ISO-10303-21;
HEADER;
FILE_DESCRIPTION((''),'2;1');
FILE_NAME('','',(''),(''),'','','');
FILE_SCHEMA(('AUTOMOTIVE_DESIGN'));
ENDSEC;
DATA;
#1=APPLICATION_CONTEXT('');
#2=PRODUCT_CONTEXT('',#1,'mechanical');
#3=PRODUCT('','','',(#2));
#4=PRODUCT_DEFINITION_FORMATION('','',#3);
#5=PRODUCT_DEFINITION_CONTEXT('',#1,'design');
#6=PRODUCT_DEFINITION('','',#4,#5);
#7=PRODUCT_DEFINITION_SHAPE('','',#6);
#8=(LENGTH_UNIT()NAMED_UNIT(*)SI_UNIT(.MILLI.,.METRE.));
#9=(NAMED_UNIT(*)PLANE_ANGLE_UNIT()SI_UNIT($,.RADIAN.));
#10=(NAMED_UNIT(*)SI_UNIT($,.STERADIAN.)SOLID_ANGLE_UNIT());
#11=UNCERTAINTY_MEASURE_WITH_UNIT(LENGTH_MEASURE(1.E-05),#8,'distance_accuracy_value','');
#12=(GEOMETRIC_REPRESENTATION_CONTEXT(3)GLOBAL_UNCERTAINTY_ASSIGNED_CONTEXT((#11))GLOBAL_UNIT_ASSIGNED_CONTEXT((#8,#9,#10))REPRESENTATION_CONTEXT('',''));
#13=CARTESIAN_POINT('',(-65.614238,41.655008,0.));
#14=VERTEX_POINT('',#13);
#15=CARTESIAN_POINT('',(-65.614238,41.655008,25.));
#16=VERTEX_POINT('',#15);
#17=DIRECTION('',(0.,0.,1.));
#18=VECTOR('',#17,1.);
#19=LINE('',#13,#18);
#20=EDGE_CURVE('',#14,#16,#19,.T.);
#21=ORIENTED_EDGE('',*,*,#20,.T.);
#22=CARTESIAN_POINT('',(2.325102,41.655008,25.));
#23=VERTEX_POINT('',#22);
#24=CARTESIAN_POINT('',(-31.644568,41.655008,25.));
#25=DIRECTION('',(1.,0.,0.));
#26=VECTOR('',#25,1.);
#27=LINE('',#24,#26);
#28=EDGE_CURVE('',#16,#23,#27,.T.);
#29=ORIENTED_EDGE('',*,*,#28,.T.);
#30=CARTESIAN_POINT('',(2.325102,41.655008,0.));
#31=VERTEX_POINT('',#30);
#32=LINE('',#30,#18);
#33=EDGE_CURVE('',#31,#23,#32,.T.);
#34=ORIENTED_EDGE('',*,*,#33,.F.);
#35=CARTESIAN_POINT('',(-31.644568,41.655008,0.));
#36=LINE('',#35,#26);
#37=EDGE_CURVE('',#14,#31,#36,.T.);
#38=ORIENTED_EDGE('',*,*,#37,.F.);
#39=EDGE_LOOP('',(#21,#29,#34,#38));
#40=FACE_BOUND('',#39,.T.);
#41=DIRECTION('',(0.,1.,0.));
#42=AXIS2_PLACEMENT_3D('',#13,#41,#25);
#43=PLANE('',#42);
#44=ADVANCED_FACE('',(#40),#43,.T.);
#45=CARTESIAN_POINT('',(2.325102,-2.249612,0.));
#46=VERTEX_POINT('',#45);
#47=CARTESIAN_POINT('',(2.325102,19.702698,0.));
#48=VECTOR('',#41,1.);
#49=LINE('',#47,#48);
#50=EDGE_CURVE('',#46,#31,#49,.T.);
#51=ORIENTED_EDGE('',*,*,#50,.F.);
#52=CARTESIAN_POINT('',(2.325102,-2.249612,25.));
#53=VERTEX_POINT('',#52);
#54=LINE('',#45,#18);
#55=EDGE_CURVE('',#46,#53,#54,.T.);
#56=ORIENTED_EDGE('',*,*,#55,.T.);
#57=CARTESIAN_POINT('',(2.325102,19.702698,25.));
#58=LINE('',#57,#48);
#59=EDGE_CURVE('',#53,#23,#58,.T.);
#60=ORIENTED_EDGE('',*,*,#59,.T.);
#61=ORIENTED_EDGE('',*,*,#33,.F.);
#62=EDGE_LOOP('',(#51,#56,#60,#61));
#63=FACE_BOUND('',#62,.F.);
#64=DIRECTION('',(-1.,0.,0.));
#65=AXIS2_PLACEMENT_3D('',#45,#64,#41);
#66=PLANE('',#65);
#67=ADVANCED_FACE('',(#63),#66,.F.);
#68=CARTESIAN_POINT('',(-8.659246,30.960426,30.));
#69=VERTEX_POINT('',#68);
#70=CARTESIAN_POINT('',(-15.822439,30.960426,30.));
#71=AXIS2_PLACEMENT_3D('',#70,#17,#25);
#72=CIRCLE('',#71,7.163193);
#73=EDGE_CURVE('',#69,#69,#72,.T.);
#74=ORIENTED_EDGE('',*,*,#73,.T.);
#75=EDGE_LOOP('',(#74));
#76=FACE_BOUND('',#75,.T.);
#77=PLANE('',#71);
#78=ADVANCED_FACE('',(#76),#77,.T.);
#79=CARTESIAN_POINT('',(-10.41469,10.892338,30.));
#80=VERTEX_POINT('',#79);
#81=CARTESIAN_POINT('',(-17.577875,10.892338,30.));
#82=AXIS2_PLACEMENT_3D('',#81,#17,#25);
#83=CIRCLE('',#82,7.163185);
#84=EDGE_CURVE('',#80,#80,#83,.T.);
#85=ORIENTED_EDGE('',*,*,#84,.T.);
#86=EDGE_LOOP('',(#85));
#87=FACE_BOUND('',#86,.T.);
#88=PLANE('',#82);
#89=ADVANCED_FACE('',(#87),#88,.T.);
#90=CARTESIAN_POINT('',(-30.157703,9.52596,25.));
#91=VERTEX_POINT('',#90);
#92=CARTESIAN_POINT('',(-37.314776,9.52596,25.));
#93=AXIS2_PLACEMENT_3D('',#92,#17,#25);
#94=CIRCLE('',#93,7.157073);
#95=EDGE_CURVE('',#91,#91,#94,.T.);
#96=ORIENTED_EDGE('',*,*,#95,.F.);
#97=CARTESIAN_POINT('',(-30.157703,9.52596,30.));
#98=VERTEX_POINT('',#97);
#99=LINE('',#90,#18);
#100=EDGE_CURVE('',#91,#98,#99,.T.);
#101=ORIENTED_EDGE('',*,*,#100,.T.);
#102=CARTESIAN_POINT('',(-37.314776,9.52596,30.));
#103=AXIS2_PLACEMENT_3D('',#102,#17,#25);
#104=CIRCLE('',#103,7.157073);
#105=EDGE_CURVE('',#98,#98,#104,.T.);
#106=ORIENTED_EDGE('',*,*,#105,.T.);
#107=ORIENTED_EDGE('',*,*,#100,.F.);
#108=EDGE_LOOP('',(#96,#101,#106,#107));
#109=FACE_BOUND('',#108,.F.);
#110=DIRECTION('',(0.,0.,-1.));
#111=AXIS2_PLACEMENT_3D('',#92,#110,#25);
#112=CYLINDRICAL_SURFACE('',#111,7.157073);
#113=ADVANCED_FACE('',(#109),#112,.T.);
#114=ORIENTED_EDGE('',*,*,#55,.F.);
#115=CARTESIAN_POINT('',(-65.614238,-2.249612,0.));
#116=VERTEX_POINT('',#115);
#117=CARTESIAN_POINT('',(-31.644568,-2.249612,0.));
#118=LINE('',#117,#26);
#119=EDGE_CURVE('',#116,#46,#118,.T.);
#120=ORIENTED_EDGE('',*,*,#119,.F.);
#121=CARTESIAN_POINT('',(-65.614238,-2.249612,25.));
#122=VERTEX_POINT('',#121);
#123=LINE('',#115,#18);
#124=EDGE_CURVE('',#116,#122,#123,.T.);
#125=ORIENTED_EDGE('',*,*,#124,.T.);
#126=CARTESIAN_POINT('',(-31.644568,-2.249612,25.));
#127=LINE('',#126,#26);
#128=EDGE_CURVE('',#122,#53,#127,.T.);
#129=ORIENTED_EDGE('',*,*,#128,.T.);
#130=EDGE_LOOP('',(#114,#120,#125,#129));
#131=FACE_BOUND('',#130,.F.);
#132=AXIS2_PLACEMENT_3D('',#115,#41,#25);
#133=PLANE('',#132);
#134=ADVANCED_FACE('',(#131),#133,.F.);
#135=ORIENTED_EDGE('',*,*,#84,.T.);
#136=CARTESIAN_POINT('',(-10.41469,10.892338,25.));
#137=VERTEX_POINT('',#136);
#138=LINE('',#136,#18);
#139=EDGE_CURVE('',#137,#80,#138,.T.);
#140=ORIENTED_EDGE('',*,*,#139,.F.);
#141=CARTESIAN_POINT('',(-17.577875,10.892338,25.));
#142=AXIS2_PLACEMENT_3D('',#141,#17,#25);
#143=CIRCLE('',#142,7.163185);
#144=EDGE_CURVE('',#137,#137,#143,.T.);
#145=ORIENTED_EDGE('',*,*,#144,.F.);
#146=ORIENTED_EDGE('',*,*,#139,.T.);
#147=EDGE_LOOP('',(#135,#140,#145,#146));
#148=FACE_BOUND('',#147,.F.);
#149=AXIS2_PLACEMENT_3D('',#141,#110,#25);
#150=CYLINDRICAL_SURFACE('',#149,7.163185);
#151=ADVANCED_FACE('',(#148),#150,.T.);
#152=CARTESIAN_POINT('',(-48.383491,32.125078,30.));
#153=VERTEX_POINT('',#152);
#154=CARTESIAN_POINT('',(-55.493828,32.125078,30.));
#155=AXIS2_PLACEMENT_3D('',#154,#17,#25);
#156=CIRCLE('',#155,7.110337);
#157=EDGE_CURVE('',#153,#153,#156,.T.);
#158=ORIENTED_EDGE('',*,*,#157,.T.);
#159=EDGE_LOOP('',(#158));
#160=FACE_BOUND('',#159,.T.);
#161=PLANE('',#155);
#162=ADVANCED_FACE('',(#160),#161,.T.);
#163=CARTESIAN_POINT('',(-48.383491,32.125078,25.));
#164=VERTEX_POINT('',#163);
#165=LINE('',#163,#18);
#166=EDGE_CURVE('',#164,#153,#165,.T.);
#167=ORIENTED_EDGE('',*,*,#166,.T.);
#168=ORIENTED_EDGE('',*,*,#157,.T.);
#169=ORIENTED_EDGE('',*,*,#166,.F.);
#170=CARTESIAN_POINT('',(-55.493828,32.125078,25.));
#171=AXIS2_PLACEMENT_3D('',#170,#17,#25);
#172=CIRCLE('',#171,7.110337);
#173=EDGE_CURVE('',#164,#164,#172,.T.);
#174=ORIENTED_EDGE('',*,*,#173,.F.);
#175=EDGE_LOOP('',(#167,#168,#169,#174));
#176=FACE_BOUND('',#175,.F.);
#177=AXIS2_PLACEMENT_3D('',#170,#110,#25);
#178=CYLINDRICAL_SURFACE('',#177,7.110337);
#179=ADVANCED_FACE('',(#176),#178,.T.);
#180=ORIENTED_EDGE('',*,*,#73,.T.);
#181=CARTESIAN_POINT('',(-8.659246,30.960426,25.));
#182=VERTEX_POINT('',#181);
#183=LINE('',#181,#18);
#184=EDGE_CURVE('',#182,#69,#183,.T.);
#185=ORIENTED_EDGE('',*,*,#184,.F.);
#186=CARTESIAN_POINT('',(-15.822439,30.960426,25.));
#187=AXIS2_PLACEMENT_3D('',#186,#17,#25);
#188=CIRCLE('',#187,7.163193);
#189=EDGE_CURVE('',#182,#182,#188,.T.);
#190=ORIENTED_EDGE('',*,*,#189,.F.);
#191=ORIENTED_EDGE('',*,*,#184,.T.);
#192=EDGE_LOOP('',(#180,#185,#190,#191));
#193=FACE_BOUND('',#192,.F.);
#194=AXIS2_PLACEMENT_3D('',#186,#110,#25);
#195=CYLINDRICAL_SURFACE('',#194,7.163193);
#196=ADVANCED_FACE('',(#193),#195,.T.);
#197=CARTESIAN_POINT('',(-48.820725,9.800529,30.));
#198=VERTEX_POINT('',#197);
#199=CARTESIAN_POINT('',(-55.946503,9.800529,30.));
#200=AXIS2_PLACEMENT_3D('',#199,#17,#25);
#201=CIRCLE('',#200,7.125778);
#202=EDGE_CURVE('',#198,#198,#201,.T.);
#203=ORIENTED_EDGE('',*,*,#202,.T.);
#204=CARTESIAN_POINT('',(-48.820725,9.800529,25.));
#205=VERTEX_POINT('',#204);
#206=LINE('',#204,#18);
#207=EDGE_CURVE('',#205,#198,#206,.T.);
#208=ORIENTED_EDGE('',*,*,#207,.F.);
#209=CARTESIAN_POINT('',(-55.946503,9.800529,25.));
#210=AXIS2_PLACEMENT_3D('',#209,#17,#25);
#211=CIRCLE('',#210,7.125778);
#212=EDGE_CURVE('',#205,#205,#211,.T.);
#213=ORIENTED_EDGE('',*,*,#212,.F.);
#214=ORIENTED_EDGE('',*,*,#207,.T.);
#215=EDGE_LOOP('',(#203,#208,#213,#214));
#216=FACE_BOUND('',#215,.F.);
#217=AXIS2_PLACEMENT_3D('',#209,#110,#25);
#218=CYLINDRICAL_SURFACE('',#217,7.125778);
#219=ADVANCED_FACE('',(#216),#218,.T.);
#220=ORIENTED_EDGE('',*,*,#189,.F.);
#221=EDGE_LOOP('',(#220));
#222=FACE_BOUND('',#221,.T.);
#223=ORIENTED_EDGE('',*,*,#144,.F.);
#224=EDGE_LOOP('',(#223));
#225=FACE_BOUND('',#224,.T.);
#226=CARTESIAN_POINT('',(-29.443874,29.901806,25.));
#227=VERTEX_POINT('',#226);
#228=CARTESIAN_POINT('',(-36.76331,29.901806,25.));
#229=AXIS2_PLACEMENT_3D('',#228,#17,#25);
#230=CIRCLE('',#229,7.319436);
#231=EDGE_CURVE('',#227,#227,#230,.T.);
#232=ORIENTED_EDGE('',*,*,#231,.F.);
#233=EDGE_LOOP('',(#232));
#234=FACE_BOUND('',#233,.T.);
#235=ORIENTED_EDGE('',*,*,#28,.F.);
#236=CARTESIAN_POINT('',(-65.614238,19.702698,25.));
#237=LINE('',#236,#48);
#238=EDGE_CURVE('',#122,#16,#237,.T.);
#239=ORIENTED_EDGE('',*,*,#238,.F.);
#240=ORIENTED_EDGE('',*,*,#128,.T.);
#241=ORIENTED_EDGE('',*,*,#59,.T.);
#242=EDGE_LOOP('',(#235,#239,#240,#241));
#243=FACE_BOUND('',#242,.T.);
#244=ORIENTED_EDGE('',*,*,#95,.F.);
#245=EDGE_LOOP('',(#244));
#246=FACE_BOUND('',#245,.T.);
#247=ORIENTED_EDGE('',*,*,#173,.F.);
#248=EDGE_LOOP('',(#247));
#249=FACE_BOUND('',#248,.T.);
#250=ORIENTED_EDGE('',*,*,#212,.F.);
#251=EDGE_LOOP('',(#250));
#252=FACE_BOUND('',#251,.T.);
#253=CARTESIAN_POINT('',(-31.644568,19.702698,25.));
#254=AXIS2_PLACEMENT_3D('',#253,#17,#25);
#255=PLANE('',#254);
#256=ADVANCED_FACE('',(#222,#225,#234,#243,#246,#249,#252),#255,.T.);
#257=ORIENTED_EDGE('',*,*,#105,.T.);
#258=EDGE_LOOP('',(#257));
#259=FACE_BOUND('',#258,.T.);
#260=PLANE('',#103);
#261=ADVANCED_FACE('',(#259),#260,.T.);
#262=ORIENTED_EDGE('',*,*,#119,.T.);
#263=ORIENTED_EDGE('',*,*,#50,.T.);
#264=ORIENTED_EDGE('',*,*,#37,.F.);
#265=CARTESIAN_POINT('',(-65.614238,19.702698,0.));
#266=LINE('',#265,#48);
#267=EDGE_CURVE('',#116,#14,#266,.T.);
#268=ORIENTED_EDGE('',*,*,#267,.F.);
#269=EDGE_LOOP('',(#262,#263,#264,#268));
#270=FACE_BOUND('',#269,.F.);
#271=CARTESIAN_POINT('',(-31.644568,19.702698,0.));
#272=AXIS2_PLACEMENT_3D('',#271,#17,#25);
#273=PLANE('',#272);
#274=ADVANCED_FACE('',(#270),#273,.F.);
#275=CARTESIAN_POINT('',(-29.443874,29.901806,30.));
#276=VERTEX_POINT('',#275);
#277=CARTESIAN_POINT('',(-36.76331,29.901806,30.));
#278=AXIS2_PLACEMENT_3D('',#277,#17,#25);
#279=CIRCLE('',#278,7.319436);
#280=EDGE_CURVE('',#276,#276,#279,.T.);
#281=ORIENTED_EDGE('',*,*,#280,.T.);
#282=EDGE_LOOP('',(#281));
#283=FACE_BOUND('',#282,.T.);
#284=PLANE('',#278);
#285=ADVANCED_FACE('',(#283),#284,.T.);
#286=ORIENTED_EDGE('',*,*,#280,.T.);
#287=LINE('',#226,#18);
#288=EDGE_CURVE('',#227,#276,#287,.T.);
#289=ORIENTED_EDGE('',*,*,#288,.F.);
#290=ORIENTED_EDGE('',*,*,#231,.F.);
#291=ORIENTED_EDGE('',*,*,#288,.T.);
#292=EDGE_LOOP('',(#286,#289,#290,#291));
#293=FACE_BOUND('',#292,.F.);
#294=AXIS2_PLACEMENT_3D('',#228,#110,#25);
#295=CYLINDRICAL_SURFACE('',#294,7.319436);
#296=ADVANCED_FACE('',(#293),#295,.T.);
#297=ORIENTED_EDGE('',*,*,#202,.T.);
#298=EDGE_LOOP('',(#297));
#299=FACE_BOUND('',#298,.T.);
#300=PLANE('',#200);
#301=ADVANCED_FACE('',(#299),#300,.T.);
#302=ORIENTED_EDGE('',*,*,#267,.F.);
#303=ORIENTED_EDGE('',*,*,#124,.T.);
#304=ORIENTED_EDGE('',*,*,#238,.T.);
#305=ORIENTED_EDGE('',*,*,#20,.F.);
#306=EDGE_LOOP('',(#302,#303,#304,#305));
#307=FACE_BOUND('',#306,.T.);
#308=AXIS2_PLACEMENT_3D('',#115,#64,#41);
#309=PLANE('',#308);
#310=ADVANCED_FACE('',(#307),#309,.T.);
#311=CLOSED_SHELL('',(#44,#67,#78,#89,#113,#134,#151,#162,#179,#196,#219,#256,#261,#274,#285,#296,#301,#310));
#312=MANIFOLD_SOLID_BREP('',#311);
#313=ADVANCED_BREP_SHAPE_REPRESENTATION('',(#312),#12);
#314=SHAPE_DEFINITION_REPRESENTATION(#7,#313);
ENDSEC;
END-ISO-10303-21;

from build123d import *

# Parameters (mm, degrees)
F0_W      = 67.939341
F0_H      = 43.90462
F1_DEPTH  = 25
F4_R      = 7.163185
F5_DEPTH  = 5
F2_R      = 7.125778
F6_DEPTH  = 5
F3_R      = 7.157073
F7_DEPTH  = 5
F8_R      = 7.110337
F11_DEPTH = 5
F9_R      = 7.319436
F10_R     = 7.163193
F12_DEPTH = 5


with BuildPart() as f1:
    # F0 (on Top) → F1 (new body)
    with BuildSketch(Plane.XY):
        with Locations((-31.644568, 19.702698)):
            Rectangle(F0_W, F0_H)
    extrude(amount=F1_DEPTH)

    # F4 (on face) → F5 (join)
    with BuildSketch(Plane.XY.offset(25)):
        with Locations((-17.577875, 10.892338)):
            Circle(F4_R)
    extrude(amount=F5_DEPTH)

    # F2 (on face) → F6 (join)
    with BuildSketch(Plane.XY.offset(25)):
        with Locations((-55.946503, 9.800529)):
            Circle(F2_R)
    extrude(amount=F6_DEPTH)

    # F3 (on face) → F7 (join)
    with BuildSketch(Plane.XY.offset(25)):
        with Locations((-37.314776, 9.52596)):
            Circle(F3_R)
    extrude(amount=F7_DEPTH)

    # F8 (on face) → F11 (join)
    with BuildSketch(Plane.XY.offset(25)):
        with Locations((-55.493828, 32.125078)):
            Circle(F8_R)
    extrude(amount=F11_DEPTH)

    # F9 (on face) + F10 (on face) → F12 (join)
    with BuildSketch(Plane.XY.offset(25)):
        with Locations((-36.76331, 29.901806)):
            Circle(F9_R)
    with BuildSketch(Plane.XY.offset(25)):
        with Locations((-15.822439, 30.960426)):
            Circle(F10_R)
    extrude(amount=F12_DEPTH)


solid = f1.part
